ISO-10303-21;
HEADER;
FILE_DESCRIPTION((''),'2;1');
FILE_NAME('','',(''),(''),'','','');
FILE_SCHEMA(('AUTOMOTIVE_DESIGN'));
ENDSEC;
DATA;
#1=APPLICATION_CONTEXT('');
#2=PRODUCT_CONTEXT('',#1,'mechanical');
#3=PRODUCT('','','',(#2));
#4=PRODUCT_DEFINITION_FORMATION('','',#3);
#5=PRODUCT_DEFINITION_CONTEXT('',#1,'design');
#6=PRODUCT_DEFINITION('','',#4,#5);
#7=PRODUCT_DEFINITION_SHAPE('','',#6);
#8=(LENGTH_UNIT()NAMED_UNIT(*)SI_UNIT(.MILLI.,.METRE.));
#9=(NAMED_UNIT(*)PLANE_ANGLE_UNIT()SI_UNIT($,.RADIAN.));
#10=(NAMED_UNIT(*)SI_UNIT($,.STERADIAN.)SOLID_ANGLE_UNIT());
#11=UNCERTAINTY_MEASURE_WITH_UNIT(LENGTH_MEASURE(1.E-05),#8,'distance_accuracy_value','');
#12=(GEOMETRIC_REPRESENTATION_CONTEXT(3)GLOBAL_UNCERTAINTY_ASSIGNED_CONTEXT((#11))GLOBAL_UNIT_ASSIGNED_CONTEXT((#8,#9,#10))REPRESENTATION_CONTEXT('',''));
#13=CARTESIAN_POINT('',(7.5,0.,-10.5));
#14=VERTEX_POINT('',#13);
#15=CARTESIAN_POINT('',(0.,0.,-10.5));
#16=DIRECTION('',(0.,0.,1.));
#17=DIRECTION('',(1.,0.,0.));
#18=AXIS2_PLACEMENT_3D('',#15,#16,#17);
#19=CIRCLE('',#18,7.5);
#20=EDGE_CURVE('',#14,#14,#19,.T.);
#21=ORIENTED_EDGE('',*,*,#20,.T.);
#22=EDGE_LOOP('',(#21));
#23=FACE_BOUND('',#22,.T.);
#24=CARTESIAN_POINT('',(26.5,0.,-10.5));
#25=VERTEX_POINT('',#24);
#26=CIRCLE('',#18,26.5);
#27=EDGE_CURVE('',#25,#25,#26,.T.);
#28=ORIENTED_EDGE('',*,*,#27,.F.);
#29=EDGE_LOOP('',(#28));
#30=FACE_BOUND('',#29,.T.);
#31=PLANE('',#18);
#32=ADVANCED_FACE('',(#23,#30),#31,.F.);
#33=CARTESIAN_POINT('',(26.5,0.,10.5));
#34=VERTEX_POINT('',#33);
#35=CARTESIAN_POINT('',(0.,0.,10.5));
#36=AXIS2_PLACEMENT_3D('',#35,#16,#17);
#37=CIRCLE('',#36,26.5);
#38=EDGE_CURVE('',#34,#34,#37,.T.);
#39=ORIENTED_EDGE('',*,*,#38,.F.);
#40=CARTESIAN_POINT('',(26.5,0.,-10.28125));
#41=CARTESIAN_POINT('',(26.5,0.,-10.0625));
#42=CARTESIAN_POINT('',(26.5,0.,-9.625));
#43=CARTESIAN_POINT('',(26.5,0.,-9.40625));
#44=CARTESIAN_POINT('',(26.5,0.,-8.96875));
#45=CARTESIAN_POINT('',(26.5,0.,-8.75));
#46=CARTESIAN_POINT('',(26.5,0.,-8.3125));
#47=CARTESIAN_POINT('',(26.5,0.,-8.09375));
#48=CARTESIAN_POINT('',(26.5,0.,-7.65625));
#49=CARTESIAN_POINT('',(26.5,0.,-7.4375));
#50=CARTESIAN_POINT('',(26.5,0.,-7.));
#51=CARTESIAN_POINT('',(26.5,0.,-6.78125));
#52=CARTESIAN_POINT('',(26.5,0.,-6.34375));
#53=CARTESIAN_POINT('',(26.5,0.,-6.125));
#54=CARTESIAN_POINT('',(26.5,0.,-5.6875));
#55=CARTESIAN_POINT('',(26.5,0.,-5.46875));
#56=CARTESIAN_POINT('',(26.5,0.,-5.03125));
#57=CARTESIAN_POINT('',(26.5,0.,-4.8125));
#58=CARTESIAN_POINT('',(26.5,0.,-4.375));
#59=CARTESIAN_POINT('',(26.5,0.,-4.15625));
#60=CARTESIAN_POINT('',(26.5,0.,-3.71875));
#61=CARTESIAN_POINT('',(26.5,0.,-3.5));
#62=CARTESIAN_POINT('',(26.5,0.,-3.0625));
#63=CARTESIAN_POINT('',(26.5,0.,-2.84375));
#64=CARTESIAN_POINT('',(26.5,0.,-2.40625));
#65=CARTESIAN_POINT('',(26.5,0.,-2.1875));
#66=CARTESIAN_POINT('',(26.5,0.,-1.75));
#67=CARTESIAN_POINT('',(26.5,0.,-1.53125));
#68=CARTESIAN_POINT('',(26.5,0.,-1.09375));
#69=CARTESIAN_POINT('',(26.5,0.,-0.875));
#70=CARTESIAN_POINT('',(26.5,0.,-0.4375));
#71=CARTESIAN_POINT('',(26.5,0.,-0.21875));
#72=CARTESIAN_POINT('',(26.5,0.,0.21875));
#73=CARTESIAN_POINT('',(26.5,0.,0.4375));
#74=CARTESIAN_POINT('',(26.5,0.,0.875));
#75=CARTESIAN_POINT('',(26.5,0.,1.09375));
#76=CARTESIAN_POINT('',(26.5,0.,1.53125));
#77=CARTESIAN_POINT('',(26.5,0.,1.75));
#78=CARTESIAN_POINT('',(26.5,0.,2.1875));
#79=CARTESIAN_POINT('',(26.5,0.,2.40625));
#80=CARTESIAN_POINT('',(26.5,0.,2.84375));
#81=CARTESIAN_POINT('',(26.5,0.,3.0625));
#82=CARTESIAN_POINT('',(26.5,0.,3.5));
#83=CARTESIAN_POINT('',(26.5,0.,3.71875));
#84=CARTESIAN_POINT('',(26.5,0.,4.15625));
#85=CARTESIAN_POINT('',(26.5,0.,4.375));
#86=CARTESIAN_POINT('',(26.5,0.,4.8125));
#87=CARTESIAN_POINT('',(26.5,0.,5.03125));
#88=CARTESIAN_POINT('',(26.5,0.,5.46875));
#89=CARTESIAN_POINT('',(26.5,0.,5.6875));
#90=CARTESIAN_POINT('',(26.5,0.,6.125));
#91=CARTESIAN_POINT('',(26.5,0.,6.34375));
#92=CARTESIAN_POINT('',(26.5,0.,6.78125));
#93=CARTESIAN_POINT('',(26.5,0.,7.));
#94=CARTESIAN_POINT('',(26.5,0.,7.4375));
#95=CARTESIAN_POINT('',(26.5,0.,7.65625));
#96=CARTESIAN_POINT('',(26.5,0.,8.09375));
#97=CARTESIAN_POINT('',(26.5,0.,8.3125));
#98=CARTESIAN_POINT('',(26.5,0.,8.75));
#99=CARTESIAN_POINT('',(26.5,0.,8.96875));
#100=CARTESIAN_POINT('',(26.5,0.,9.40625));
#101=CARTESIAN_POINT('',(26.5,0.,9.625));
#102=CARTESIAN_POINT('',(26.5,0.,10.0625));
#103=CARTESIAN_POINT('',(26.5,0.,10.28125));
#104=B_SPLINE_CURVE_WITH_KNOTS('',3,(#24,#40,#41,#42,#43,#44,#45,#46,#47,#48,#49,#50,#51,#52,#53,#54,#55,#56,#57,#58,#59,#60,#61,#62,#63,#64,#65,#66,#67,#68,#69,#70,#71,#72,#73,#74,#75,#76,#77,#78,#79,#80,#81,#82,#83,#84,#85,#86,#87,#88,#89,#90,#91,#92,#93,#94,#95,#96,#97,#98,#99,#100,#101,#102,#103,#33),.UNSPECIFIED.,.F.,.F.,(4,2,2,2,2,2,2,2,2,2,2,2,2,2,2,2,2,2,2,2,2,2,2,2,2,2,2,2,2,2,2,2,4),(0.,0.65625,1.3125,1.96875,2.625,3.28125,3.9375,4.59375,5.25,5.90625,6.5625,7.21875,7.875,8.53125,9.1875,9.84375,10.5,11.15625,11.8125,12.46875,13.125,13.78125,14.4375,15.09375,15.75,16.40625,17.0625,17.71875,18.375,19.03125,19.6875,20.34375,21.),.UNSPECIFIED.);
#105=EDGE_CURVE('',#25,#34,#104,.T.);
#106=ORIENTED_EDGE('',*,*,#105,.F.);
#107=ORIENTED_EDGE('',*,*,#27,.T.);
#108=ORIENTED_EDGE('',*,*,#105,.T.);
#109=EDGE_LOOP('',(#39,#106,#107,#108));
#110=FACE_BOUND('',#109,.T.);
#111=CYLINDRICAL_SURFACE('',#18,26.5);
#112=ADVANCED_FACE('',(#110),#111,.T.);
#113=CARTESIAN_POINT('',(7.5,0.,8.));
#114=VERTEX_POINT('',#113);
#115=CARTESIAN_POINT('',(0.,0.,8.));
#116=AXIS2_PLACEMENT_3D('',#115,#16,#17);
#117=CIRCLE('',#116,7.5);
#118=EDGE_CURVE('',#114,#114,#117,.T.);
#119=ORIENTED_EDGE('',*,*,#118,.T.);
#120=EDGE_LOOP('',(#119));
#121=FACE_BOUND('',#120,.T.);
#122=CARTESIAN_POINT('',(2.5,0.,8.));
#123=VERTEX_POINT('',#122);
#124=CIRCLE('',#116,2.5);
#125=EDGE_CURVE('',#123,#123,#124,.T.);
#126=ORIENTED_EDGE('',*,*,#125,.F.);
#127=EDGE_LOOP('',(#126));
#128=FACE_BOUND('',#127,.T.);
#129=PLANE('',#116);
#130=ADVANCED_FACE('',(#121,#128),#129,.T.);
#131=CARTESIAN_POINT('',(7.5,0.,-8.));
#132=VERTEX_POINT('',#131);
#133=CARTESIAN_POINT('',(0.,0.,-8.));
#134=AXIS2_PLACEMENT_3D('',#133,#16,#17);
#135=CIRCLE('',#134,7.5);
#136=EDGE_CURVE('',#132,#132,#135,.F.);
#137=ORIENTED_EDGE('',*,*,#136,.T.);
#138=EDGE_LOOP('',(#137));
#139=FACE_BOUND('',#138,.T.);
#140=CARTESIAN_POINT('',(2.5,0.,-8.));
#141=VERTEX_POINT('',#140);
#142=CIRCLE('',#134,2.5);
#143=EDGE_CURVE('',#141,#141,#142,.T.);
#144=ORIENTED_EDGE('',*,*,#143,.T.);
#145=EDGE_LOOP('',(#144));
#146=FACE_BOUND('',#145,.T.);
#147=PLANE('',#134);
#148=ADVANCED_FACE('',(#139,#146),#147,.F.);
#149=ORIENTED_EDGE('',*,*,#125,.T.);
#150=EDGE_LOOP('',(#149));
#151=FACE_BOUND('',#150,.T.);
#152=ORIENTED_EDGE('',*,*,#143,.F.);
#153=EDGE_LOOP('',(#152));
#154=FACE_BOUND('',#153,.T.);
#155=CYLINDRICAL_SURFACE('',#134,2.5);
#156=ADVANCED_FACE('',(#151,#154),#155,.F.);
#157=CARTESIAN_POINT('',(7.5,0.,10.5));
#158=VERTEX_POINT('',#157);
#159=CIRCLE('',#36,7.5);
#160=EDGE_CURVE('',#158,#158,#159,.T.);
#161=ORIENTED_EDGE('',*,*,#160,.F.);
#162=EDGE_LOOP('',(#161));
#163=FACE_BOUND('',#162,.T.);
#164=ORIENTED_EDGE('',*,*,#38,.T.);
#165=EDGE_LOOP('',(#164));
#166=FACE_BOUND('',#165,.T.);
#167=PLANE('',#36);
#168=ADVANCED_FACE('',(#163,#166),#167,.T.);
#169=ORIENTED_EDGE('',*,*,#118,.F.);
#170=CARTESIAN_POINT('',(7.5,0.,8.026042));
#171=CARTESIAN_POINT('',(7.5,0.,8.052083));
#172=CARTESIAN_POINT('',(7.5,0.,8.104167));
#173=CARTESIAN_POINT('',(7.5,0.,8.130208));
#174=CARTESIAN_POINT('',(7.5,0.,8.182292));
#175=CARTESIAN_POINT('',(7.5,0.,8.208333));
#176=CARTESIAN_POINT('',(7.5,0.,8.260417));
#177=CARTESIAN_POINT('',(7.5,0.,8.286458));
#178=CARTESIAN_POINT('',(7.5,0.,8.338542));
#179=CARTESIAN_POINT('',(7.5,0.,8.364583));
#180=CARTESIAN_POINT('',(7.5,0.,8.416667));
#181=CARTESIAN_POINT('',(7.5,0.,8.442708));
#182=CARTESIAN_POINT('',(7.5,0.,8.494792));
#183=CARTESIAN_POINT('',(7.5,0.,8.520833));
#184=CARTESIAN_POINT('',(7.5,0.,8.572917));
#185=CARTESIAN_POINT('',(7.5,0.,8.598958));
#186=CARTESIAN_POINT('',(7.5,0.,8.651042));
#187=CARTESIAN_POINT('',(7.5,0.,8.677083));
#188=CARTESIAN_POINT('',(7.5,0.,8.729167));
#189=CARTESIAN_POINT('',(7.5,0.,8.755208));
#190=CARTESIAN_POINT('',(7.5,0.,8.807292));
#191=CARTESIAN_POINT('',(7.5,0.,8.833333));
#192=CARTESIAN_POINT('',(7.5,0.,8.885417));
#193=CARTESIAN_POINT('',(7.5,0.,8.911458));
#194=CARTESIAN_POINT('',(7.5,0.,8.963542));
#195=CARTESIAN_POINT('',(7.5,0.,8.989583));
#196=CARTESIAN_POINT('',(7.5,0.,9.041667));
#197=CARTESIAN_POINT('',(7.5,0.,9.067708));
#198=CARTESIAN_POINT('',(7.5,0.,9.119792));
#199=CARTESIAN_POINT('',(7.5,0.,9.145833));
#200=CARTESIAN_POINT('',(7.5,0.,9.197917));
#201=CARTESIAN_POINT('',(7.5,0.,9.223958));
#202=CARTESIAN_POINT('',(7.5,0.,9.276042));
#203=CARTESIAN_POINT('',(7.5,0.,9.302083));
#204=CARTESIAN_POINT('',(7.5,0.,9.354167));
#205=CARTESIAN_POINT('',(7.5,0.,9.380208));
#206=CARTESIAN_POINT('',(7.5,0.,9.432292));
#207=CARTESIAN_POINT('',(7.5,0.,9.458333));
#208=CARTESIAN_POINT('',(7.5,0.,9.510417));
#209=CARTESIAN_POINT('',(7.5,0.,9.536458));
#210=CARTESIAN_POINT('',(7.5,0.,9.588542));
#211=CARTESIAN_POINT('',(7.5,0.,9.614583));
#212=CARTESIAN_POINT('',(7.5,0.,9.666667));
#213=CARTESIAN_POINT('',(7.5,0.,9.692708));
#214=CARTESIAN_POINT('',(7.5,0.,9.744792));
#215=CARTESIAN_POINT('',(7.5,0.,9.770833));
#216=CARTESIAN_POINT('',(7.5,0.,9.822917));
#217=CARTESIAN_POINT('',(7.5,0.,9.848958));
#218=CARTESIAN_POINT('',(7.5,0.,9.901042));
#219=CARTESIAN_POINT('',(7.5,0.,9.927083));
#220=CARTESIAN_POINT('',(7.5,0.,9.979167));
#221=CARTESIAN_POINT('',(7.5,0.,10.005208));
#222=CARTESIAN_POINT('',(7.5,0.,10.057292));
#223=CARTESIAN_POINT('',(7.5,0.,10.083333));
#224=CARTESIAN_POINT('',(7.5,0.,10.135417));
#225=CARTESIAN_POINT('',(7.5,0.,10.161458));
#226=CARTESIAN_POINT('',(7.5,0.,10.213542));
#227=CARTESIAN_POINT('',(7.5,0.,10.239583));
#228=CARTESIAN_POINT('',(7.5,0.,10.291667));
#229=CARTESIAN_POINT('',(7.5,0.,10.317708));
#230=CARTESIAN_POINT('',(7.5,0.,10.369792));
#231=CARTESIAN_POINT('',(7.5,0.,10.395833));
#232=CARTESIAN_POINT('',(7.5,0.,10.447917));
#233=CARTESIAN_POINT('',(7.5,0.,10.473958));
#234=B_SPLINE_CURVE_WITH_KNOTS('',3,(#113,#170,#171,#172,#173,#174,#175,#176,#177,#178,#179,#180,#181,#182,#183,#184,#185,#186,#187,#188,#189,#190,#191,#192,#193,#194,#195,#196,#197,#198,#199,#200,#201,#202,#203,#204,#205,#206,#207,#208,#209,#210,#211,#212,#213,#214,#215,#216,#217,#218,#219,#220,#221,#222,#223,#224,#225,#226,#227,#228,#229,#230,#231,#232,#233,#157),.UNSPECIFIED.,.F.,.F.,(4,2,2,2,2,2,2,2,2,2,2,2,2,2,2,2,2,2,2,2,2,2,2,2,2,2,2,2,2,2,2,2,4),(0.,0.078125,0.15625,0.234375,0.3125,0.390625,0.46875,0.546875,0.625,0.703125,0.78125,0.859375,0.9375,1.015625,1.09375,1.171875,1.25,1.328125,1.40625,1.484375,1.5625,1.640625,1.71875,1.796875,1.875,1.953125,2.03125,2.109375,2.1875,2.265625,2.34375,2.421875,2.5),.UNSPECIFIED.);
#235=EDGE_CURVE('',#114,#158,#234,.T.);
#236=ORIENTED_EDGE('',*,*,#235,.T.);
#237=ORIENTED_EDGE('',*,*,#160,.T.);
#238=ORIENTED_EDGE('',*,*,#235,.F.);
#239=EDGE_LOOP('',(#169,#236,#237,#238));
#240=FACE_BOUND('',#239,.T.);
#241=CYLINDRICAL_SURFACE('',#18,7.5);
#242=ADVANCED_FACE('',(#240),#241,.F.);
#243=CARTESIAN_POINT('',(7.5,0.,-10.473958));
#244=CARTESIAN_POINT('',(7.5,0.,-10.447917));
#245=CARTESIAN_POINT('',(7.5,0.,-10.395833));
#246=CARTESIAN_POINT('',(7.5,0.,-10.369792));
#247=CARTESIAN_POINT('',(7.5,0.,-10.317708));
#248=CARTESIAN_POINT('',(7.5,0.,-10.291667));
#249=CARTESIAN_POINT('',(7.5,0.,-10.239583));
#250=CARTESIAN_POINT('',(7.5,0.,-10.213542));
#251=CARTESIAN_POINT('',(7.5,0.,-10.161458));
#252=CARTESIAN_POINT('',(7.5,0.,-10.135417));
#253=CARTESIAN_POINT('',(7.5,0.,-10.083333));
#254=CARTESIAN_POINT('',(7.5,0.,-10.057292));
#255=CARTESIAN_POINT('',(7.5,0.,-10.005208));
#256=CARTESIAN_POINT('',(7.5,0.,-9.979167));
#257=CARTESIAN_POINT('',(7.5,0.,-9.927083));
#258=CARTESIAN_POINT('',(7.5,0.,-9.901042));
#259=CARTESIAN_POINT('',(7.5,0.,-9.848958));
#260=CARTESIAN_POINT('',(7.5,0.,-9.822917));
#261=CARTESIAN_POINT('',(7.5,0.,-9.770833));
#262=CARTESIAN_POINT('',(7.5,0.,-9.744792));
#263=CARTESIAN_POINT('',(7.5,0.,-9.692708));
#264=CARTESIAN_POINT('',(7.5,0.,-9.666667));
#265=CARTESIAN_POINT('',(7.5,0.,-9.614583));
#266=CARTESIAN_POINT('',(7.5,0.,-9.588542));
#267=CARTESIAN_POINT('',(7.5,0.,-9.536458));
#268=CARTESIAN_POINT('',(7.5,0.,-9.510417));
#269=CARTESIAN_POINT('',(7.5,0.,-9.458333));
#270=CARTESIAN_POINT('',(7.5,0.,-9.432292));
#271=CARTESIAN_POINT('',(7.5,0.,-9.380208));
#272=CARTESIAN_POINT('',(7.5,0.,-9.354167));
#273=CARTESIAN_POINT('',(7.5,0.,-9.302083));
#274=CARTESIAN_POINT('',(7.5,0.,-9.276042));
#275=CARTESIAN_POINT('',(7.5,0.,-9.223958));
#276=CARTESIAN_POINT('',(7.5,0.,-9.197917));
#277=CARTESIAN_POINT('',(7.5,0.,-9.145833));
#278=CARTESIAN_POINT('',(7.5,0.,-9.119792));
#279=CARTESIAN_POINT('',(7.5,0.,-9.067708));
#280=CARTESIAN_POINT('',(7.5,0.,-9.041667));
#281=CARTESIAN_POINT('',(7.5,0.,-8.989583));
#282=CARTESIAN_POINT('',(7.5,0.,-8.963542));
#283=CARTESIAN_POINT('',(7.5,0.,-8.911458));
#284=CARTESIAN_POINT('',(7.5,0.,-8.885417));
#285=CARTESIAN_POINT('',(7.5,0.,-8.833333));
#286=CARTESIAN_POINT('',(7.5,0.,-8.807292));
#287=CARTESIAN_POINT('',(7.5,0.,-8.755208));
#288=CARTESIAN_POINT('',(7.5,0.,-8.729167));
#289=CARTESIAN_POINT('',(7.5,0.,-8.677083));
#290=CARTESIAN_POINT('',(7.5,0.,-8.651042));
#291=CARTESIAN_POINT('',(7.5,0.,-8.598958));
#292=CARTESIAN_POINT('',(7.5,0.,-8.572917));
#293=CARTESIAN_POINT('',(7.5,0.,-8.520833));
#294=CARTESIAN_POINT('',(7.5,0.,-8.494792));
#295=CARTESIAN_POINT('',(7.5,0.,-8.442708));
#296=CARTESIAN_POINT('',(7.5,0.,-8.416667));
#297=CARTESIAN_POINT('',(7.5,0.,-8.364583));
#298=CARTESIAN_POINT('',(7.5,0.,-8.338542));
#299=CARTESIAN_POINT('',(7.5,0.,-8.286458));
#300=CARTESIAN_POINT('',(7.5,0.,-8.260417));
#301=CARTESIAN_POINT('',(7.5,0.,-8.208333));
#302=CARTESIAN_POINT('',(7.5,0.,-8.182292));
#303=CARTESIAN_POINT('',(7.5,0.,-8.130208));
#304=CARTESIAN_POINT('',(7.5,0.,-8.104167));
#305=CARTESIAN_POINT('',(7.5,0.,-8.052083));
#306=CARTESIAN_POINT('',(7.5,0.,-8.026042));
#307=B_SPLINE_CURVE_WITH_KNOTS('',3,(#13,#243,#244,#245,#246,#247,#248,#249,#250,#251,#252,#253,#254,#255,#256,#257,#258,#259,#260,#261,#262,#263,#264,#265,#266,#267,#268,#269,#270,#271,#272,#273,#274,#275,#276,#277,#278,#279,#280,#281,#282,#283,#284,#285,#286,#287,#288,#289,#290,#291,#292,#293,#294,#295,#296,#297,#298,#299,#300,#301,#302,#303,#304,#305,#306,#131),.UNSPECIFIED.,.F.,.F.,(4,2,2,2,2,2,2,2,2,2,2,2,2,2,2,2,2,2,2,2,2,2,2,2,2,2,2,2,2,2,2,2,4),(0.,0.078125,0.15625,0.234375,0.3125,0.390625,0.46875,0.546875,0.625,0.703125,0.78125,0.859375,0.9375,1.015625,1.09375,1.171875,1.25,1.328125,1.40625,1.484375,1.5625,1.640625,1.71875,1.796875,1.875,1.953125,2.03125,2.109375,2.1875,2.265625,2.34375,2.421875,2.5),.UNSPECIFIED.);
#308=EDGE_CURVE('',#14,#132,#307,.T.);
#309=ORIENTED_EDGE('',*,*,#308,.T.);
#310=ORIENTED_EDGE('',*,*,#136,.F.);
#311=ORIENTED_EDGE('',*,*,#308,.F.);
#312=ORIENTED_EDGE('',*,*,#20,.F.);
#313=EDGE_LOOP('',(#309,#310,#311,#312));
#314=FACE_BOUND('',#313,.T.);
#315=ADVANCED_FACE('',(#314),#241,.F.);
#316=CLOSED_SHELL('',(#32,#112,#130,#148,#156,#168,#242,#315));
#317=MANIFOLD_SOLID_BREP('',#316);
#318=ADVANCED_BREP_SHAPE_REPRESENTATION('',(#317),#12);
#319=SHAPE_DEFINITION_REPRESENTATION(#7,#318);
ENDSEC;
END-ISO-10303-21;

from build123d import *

# Parameters (mm, degrees)
BOSS_EXTRUDE1_DEPTH      = 10.5
BOSS_EXTRUDE1_DEPTH_BACK = 10.5
SKETCH1_R                = 26.5
SKETCH1_R_2              = 7.5
BOSS_EXTRUDE2_DEPTH      = 8
BOSS_EXTRUDE2_DEPTH_BACK = 8
SKETCH3_R                = 7.5
SKETCH3_R_2              = 2.5


with BuildPart() as part:
    # Sketch1 → Boss-Extrude1 (new, two sides: drawn at the far end of the back side and taken through both)
    with BuildSketch(Plane.XY.offset(-BOSS_EXTRUDE1_DEPTH_BACK)):
        Circle(SKETCH1_R)
        Circle(SKETCH1_R_2, mode=Mode.SUBTRACT)
    extrude(amount=BOSS_EXTRUDE1_DEPTH + BOSS_EXTRUDE1_DEPTH_BACK)

    # Sketch3 → Boss-Extrude2 (add, two sides: drawn at the far end of the back side and taken through both)
    with BuildSketch(Plane.XY.offset(-BOSS_EXTRUDE2_DEPTH_BACK)):
        Circle(SKETCH3_R)
        Circle(SKETCH3_R_2, mode=Mode.SUBTRACT)
    extrude(amount=BOSS_EXTRUDE2_DEPTH + BOSS_EXTRUDE2_DEPTH_BACK)


solid = part.part
